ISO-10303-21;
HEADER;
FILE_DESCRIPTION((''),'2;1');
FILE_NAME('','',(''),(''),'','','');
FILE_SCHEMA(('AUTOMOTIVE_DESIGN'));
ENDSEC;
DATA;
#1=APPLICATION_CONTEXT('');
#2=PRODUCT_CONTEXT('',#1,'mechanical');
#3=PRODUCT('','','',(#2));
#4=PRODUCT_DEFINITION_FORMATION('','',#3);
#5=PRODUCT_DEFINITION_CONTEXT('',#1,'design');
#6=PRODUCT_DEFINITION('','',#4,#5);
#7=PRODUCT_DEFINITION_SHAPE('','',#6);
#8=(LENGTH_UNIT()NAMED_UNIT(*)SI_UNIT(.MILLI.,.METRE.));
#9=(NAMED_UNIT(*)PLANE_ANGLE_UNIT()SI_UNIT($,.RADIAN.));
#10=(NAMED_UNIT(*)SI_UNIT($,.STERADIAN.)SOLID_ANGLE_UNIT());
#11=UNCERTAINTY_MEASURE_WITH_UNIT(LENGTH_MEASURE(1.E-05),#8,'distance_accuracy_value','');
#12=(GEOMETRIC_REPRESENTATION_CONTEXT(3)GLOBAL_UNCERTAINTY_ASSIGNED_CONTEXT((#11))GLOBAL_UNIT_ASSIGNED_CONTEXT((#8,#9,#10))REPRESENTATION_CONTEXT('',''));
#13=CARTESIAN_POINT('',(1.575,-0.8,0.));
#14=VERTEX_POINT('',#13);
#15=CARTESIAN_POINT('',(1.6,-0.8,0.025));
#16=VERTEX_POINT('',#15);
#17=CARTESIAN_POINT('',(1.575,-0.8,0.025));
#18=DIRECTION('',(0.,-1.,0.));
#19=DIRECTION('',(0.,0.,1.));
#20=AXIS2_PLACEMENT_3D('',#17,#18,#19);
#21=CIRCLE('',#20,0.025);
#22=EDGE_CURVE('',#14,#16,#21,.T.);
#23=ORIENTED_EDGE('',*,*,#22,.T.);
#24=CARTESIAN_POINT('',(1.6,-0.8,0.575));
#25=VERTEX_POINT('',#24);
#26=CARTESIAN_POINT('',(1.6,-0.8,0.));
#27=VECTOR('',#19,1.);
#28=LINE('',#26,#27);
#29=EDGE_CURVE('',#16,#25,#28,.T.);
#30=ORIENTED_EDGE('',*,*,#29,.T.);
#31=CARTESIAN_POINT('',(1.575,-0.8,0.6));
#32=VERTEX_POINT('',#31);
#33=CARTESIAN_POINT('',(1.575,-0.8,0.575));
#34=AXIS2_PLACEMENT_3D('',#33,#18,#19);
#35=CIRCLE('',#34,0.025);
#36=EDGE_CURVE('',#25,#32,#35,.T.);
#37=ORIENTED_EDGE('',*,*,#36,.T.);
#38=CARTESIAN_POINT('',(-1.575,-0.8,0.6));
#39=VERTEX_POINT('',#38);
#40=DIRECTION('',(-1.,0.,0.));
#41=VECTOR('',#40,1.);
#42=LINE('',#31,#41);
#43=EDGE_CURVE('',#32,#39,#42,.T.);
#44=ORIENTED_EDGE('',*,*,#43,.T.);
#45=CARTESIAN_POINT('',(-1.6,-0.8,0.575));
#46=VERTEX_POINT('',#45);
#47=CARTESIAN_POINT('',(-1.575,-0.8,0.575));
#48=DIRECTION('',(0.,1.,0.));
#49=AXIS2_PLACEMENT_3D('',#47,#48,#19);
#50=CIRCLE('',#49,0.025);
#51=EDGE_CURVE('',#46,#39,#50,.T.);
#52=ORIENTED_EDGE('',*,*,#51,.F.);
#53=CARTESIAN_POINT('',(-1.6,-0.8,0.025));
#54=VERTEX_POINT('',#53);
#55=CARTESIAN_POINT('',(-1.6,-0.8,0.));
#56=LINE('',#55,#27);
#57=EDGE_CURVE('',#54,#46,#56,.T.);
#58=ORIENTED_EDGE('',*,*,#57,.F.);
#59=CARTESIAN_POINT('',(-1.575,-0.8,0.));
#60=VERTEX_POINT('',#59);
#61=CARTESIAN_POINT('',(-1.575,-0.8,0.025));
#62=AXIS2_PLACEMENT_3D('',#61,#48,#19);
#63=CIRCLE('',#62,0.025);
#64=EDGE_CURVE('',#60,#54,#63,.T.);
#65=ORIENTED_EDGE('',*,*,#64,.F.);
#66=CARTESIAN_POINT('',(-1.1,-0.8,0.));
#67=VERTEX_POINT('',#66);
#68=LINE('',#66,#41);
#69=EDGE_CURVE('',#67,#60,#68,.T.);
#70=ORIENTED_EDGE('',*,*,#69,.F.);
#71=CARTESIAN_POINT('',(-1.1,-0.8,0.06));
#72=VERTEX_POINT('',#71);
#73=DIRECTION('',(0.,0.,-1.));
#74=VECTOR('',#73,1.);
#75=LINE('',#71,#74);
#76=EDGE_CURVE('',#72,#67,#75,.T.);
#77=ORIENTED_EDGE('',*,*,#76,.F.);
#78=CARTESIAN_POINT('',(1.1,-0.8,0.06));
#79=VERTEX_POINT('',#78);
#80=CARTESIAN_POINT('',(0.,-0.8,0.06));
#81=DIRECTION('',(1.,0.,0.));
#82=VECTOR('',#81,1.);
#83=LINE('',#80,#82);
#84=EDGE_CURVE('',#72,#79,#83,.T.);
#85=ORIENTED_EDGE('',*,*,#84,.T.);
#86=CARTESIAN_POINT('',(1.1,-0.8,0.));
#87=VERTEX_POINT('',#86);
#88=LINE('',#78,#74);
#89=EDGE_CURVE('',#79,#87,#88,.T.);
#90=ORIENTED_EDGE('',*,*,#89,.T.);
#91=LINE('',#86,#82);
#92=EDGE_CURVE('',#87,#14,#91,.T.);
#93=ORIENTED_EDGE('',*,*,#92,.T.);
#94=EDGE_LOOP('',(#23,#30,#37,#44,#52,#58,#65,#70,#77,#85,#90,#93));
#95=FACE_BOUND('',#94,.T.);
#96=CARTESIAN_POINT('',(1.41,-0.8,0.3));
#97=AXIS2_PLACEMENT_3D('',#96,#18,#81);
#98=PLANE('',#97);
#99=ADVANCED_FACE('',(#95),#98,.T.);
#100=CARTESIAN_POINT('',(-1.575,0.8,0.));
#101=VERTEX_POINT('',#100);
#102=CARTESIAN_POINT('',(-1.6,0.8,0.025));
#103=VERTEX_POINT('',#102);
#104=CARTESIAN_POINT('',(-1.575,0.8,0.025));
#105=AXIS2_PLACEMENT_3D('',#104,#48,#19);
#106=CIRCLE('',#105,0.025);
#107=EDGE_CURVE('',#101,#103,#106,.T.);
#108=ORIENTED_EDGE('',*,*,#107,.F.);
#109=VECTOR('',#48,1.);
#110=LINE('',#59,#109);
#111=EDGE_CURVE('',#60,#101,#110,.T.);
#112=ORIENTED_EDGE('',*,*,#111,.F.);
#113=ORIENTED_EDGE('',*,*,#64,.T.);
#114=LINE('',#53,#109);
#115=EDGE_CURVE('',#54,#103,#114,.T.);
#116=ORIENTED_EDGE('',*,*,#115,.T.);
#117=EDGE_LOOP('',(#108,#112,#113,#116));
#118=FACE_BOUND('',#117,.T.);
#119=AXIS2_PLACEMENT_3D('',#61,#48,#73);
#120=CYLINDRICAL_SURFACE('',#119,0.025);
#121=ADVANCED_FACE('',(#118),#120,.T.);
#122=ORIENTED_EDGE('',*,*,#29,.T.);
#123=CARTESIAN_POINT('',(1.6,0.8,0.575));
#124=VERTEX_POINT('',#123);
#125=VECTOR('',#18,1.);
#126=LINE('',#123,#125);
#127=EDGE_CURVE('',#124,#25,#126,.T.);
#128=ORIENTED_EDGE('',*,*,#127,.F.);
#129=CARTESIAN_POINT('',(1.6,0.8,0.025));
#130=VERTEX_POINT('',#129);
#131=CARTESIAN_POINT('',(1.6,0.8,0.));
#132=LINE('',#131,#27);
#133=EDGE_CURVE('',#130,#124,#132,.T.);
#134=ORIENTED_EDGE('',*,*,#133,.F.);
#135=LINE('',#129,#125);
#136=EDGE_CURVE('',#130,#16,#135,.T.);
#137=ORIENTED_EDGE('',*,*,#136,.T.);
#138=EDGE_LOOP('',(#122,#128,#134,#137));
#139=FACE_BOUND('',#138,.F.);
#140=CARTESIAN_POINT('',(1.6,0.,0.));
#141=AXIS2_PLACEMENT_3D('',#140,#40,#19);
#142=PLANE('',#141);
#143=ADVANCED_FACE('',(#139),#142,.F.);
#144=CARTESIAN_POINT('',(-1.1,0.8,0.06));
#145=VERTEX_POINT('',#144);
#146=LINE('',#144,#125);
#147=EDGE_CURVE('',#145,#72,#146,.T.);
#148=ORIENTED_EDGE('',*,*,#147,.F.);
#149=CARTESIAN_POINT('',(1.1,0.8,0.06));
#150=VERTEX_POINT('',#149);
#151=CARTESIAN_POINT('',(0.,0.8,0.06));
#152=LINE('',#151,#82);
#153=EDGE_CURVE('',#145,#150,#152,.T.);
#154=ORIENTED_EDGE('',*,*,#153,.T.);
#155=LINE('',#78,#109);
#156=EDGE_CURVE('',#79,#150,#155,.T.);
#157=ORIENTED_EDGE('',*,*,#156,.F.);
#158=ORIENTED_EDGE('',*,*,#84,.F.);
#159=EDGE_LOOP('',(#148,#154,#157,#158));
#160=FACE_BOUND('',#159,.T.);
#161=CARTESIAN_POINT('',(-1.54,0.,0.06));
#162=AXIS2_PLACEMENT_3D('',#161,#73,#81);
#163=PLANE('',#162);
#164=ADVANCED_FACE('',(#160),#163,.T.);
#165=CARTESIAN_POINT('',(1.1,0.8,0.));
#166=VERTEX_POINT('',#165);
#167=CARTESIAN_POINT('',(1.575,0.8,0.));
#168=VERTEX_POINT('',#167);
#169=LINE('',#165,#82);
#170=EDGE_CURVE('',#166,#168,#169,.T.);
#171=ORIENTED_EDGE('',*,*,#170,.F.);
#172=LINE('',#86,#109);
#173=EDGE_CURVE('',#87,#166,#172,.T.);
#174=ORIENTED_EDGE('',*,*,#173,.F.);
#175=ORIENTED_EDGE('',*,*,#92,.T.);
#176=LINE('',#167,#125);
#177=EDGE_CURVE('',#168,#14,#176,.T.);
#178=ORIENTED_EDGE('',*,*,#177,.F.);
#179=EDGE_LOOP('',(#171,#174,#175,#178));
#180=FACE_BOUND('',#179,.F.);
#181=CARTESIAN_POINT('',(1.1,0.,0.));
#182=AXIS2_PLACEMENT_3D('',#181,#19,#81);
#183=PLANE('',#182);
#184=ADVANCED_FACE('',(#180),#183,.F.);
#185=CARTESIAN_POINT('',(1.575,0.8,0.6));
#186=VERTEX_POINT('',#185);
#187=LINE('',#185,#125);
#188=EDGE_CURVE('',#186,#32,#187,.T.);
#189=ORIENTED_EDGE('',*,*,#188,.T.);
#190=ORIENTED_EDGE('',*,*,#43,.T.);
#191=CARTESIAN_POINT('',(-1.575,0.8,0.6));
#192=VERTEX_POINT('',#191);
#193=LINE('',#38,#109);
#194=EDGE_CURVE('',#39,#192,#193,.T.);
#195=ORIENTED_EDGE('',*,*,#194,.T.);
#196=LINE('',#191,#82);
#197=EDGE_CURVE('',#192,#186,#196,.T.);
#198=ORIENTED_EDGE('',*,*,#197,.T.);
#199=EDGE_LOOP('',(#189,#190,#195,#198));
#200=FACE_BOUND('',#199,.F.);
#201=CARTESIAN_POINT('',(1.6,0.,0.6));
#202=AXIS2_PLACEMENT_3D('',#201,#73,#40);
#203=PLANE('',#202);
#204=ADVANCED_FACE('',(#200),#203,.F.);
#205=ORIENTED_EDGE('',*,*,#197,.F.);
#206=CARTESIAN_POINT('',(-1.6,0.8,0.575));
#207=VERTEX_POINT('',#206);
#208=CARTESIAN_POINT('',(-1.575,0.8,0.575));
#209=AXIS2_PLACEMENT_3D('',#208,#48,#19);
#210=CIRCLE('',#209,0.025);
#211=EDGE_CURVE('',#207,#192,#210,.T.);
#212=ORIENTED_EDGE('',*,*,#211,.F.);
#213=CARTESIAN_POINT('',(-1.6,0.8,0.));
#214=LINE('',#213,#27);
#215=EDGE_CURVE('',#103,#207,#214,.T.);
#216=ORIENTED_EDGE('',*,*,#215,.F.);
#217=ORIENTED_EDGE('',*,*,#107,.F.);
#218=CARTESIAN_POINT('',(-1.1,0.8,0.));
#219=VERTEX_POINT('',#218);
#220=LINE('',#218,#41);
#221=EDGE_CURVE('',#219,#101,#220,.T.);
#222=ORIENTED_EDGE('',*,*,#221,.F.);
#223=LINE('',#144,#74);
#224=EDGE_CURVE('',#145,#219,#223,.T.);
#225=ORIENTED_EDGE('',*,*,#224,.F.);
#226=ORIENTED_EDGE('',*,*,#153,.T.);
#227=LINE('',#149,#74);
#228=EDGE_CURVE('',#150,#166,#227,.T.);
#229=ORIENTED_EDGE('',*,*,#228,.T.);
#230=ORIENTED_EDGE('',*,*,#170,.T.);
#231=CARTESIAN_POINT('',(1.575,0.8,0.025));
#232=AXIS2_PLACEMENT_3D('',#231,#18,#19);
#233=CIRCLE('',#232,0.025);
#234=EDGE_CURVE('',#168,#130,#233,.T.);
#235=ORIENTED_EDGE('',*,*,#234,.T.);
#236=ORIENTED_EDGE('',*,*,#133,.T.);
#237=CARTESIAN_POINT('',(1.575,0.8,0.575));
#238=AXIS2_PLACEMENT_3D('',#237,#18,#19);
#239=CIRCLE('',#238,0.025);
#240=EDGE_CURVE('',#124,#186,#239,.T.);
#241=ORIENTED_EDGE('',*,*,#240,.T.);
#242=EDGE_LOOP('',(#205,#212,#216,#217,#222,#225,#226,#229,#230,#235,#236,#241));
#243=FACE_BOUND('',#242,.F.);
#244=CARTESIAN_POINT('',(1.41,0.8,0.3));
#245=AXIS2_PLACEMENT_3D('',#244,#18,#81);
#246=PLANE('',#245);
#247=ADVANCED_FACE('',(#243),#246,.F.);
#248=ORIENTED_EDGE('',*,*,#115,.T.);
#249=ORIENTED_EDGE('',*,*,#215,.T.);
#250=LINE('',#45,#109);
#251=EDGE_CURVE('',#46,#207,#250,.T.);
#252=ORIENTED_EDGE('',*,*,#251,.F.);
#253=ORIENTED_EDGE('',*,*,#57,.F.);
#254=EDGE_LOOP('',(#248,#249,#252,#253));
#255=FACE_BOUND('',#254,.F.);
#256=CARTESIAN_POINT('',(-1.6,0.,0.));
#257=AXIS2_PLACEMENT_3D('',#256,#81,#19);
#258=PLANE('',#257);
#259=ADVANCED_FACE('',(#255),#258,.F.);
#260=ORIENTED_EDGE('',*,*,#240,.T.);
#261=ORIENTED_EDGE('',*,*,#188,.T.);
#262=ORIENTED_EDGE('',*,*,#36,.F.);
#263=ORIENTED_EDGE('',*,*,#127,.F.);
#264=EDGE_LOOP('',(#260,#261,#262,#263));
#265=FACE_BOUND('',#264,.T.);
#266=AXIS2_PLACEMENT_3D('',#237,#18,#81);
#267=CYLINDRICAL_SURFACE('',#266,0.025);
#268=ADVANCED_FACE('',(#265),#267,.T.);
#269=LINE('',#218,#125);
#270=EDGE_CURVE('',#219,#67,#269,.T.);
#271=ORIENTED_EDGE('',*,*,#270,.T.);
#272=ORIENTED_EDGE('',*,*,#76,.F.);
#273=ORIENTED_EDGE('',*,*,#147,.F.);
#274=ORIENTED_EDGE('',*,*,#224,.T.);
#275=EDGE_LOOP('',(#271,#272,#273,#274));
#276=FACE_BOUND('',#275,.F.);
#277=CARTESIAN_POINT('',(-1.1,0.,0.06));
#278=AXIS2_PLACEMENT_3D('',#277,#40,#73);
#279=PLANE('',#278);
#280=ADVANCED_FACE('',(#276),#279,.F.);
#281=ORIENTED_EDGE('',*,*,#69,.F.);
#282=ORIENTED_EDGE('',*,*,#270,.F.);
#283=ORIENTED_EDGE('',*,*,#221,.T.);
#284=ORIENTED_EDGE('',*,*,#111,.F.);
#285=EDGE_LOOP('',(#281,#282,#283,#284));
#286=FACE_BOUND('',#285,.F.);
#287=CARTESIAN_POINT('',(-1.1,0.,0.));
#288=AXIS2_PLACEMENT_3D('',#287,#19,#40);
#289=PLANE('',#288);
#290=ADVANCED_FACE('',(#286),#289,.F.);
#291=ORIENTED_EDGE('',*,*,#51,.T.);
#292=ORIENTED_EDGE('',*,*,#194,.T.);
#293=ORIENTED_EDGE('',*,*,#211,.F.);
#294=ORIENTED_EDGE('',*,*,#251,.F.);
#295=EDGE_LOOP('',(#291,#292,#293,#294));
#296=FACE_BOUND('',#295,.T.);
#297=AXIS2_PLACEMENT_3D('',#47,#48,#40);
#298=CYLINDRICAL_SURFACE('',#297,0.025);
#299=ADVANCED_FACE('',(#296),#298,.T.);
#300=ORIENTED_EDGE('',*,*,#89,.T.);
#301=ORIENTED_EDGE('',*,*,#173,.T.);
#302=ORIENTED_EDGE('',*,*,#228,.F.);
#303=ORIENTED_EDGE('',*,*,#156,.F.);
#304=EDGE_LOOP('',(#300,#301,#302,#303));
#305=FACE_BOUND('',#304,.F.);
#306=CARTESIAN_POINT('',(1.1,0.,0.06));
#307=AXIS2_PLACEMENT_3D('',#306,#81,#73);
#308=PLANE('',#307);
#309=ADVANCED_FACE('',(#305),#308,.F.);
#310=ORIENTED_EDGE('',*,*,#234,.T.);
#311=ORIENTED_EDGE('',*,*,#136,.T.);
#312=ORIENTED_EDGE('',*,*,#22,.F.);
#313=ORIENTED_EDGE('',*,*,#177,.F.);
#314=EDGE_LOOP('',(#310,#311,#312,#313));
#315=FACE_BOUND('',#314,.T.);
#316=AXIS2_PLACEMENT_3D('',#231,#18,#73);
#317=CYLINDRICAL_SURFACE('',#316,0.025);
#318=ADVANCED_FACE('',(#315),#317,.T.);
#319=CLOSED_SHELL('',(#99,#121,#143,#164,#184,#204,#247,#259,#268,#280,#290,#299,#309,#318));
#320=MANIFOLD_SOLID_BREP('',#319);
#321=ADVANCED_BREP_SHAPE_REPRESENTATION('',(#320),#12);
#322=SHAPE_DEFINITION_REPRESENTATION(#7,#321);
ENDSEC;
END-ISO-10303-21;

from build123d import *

# Parameters (mm, degrees)
SKETCH002_W             = 3.08
SKETCH002_H             = 0.48
PAD001_DEPTH            = 0.8
PAD_DEPTH               = 0.8
FILLET_R                = 0.025
BODY002_PLACEMENT_ANGLE = 180
SKETCH003_W             = 2.2
SKETCH003_H             = 1.6
PAD002_DEPTH            = 0.06


with BuildPart() as substrate:
    # Sketch002 → Pad001 (new body, symmetric)
    with BuildSketch(Plane.XZ):
        with Locations((0, 0.3)):
            Rectangle(SKETCH002_W, SKETCH002_H)
    extrude(amount=PAD001_DEPTH, both=True)


with BuildPart() as body001:
    # Sketch001 → Pad (new body, symmetric)
    with BuildSketch(Plane.XZ):
        Polygon((-1.1, 0), (-1.6, 0), (-1.6, 0.6), (-1.1, 0.6), (-1.1, 0.54), (-1.54, 0.54), (-1.54, 0.06), (-1.1, 0.06), align=None)
    pad = extrude(amount=PAD_DEPTH, both=True)

    # Mirrored: Pad across XZ
    add(pad.mirror(Plane.XZ))

    # Fillet
    fillet_edges = [body001.edges().sort_by_distance(p)[0] for p in [
        (-1.6, 0, 0.6),
        (-1.6, 0, 0),
    ]]
    fillet(fillet_edges, radius=FILLET_R)


with BuildPart() as body002:
    # Body002 base: copy of Body001
    add(body001.part)


with BuildPart() as body002_1:
    # Body002 placement: moved
    add(body002.part.rotate(Axis((0, 0, 0), (0, 0, 1)), BODY002_PLACEMENT_ANGLE))


with BuildPart() as r_1206_3216m:
    # Sketch003 → Pad002 (new body)
    with BuildSketch(Plane.XY.offset(0.54)):
        Rectangle(SKETCH003_W, SKETCH003_H)
    extrude(amount=PAD002_DEPTH)

    # Fusion: union Substrate, Body001, Body002
    add(substrate.part)
    add(body001.part)
    add(body002_1.part)


solid = r_1206_3216m.part
